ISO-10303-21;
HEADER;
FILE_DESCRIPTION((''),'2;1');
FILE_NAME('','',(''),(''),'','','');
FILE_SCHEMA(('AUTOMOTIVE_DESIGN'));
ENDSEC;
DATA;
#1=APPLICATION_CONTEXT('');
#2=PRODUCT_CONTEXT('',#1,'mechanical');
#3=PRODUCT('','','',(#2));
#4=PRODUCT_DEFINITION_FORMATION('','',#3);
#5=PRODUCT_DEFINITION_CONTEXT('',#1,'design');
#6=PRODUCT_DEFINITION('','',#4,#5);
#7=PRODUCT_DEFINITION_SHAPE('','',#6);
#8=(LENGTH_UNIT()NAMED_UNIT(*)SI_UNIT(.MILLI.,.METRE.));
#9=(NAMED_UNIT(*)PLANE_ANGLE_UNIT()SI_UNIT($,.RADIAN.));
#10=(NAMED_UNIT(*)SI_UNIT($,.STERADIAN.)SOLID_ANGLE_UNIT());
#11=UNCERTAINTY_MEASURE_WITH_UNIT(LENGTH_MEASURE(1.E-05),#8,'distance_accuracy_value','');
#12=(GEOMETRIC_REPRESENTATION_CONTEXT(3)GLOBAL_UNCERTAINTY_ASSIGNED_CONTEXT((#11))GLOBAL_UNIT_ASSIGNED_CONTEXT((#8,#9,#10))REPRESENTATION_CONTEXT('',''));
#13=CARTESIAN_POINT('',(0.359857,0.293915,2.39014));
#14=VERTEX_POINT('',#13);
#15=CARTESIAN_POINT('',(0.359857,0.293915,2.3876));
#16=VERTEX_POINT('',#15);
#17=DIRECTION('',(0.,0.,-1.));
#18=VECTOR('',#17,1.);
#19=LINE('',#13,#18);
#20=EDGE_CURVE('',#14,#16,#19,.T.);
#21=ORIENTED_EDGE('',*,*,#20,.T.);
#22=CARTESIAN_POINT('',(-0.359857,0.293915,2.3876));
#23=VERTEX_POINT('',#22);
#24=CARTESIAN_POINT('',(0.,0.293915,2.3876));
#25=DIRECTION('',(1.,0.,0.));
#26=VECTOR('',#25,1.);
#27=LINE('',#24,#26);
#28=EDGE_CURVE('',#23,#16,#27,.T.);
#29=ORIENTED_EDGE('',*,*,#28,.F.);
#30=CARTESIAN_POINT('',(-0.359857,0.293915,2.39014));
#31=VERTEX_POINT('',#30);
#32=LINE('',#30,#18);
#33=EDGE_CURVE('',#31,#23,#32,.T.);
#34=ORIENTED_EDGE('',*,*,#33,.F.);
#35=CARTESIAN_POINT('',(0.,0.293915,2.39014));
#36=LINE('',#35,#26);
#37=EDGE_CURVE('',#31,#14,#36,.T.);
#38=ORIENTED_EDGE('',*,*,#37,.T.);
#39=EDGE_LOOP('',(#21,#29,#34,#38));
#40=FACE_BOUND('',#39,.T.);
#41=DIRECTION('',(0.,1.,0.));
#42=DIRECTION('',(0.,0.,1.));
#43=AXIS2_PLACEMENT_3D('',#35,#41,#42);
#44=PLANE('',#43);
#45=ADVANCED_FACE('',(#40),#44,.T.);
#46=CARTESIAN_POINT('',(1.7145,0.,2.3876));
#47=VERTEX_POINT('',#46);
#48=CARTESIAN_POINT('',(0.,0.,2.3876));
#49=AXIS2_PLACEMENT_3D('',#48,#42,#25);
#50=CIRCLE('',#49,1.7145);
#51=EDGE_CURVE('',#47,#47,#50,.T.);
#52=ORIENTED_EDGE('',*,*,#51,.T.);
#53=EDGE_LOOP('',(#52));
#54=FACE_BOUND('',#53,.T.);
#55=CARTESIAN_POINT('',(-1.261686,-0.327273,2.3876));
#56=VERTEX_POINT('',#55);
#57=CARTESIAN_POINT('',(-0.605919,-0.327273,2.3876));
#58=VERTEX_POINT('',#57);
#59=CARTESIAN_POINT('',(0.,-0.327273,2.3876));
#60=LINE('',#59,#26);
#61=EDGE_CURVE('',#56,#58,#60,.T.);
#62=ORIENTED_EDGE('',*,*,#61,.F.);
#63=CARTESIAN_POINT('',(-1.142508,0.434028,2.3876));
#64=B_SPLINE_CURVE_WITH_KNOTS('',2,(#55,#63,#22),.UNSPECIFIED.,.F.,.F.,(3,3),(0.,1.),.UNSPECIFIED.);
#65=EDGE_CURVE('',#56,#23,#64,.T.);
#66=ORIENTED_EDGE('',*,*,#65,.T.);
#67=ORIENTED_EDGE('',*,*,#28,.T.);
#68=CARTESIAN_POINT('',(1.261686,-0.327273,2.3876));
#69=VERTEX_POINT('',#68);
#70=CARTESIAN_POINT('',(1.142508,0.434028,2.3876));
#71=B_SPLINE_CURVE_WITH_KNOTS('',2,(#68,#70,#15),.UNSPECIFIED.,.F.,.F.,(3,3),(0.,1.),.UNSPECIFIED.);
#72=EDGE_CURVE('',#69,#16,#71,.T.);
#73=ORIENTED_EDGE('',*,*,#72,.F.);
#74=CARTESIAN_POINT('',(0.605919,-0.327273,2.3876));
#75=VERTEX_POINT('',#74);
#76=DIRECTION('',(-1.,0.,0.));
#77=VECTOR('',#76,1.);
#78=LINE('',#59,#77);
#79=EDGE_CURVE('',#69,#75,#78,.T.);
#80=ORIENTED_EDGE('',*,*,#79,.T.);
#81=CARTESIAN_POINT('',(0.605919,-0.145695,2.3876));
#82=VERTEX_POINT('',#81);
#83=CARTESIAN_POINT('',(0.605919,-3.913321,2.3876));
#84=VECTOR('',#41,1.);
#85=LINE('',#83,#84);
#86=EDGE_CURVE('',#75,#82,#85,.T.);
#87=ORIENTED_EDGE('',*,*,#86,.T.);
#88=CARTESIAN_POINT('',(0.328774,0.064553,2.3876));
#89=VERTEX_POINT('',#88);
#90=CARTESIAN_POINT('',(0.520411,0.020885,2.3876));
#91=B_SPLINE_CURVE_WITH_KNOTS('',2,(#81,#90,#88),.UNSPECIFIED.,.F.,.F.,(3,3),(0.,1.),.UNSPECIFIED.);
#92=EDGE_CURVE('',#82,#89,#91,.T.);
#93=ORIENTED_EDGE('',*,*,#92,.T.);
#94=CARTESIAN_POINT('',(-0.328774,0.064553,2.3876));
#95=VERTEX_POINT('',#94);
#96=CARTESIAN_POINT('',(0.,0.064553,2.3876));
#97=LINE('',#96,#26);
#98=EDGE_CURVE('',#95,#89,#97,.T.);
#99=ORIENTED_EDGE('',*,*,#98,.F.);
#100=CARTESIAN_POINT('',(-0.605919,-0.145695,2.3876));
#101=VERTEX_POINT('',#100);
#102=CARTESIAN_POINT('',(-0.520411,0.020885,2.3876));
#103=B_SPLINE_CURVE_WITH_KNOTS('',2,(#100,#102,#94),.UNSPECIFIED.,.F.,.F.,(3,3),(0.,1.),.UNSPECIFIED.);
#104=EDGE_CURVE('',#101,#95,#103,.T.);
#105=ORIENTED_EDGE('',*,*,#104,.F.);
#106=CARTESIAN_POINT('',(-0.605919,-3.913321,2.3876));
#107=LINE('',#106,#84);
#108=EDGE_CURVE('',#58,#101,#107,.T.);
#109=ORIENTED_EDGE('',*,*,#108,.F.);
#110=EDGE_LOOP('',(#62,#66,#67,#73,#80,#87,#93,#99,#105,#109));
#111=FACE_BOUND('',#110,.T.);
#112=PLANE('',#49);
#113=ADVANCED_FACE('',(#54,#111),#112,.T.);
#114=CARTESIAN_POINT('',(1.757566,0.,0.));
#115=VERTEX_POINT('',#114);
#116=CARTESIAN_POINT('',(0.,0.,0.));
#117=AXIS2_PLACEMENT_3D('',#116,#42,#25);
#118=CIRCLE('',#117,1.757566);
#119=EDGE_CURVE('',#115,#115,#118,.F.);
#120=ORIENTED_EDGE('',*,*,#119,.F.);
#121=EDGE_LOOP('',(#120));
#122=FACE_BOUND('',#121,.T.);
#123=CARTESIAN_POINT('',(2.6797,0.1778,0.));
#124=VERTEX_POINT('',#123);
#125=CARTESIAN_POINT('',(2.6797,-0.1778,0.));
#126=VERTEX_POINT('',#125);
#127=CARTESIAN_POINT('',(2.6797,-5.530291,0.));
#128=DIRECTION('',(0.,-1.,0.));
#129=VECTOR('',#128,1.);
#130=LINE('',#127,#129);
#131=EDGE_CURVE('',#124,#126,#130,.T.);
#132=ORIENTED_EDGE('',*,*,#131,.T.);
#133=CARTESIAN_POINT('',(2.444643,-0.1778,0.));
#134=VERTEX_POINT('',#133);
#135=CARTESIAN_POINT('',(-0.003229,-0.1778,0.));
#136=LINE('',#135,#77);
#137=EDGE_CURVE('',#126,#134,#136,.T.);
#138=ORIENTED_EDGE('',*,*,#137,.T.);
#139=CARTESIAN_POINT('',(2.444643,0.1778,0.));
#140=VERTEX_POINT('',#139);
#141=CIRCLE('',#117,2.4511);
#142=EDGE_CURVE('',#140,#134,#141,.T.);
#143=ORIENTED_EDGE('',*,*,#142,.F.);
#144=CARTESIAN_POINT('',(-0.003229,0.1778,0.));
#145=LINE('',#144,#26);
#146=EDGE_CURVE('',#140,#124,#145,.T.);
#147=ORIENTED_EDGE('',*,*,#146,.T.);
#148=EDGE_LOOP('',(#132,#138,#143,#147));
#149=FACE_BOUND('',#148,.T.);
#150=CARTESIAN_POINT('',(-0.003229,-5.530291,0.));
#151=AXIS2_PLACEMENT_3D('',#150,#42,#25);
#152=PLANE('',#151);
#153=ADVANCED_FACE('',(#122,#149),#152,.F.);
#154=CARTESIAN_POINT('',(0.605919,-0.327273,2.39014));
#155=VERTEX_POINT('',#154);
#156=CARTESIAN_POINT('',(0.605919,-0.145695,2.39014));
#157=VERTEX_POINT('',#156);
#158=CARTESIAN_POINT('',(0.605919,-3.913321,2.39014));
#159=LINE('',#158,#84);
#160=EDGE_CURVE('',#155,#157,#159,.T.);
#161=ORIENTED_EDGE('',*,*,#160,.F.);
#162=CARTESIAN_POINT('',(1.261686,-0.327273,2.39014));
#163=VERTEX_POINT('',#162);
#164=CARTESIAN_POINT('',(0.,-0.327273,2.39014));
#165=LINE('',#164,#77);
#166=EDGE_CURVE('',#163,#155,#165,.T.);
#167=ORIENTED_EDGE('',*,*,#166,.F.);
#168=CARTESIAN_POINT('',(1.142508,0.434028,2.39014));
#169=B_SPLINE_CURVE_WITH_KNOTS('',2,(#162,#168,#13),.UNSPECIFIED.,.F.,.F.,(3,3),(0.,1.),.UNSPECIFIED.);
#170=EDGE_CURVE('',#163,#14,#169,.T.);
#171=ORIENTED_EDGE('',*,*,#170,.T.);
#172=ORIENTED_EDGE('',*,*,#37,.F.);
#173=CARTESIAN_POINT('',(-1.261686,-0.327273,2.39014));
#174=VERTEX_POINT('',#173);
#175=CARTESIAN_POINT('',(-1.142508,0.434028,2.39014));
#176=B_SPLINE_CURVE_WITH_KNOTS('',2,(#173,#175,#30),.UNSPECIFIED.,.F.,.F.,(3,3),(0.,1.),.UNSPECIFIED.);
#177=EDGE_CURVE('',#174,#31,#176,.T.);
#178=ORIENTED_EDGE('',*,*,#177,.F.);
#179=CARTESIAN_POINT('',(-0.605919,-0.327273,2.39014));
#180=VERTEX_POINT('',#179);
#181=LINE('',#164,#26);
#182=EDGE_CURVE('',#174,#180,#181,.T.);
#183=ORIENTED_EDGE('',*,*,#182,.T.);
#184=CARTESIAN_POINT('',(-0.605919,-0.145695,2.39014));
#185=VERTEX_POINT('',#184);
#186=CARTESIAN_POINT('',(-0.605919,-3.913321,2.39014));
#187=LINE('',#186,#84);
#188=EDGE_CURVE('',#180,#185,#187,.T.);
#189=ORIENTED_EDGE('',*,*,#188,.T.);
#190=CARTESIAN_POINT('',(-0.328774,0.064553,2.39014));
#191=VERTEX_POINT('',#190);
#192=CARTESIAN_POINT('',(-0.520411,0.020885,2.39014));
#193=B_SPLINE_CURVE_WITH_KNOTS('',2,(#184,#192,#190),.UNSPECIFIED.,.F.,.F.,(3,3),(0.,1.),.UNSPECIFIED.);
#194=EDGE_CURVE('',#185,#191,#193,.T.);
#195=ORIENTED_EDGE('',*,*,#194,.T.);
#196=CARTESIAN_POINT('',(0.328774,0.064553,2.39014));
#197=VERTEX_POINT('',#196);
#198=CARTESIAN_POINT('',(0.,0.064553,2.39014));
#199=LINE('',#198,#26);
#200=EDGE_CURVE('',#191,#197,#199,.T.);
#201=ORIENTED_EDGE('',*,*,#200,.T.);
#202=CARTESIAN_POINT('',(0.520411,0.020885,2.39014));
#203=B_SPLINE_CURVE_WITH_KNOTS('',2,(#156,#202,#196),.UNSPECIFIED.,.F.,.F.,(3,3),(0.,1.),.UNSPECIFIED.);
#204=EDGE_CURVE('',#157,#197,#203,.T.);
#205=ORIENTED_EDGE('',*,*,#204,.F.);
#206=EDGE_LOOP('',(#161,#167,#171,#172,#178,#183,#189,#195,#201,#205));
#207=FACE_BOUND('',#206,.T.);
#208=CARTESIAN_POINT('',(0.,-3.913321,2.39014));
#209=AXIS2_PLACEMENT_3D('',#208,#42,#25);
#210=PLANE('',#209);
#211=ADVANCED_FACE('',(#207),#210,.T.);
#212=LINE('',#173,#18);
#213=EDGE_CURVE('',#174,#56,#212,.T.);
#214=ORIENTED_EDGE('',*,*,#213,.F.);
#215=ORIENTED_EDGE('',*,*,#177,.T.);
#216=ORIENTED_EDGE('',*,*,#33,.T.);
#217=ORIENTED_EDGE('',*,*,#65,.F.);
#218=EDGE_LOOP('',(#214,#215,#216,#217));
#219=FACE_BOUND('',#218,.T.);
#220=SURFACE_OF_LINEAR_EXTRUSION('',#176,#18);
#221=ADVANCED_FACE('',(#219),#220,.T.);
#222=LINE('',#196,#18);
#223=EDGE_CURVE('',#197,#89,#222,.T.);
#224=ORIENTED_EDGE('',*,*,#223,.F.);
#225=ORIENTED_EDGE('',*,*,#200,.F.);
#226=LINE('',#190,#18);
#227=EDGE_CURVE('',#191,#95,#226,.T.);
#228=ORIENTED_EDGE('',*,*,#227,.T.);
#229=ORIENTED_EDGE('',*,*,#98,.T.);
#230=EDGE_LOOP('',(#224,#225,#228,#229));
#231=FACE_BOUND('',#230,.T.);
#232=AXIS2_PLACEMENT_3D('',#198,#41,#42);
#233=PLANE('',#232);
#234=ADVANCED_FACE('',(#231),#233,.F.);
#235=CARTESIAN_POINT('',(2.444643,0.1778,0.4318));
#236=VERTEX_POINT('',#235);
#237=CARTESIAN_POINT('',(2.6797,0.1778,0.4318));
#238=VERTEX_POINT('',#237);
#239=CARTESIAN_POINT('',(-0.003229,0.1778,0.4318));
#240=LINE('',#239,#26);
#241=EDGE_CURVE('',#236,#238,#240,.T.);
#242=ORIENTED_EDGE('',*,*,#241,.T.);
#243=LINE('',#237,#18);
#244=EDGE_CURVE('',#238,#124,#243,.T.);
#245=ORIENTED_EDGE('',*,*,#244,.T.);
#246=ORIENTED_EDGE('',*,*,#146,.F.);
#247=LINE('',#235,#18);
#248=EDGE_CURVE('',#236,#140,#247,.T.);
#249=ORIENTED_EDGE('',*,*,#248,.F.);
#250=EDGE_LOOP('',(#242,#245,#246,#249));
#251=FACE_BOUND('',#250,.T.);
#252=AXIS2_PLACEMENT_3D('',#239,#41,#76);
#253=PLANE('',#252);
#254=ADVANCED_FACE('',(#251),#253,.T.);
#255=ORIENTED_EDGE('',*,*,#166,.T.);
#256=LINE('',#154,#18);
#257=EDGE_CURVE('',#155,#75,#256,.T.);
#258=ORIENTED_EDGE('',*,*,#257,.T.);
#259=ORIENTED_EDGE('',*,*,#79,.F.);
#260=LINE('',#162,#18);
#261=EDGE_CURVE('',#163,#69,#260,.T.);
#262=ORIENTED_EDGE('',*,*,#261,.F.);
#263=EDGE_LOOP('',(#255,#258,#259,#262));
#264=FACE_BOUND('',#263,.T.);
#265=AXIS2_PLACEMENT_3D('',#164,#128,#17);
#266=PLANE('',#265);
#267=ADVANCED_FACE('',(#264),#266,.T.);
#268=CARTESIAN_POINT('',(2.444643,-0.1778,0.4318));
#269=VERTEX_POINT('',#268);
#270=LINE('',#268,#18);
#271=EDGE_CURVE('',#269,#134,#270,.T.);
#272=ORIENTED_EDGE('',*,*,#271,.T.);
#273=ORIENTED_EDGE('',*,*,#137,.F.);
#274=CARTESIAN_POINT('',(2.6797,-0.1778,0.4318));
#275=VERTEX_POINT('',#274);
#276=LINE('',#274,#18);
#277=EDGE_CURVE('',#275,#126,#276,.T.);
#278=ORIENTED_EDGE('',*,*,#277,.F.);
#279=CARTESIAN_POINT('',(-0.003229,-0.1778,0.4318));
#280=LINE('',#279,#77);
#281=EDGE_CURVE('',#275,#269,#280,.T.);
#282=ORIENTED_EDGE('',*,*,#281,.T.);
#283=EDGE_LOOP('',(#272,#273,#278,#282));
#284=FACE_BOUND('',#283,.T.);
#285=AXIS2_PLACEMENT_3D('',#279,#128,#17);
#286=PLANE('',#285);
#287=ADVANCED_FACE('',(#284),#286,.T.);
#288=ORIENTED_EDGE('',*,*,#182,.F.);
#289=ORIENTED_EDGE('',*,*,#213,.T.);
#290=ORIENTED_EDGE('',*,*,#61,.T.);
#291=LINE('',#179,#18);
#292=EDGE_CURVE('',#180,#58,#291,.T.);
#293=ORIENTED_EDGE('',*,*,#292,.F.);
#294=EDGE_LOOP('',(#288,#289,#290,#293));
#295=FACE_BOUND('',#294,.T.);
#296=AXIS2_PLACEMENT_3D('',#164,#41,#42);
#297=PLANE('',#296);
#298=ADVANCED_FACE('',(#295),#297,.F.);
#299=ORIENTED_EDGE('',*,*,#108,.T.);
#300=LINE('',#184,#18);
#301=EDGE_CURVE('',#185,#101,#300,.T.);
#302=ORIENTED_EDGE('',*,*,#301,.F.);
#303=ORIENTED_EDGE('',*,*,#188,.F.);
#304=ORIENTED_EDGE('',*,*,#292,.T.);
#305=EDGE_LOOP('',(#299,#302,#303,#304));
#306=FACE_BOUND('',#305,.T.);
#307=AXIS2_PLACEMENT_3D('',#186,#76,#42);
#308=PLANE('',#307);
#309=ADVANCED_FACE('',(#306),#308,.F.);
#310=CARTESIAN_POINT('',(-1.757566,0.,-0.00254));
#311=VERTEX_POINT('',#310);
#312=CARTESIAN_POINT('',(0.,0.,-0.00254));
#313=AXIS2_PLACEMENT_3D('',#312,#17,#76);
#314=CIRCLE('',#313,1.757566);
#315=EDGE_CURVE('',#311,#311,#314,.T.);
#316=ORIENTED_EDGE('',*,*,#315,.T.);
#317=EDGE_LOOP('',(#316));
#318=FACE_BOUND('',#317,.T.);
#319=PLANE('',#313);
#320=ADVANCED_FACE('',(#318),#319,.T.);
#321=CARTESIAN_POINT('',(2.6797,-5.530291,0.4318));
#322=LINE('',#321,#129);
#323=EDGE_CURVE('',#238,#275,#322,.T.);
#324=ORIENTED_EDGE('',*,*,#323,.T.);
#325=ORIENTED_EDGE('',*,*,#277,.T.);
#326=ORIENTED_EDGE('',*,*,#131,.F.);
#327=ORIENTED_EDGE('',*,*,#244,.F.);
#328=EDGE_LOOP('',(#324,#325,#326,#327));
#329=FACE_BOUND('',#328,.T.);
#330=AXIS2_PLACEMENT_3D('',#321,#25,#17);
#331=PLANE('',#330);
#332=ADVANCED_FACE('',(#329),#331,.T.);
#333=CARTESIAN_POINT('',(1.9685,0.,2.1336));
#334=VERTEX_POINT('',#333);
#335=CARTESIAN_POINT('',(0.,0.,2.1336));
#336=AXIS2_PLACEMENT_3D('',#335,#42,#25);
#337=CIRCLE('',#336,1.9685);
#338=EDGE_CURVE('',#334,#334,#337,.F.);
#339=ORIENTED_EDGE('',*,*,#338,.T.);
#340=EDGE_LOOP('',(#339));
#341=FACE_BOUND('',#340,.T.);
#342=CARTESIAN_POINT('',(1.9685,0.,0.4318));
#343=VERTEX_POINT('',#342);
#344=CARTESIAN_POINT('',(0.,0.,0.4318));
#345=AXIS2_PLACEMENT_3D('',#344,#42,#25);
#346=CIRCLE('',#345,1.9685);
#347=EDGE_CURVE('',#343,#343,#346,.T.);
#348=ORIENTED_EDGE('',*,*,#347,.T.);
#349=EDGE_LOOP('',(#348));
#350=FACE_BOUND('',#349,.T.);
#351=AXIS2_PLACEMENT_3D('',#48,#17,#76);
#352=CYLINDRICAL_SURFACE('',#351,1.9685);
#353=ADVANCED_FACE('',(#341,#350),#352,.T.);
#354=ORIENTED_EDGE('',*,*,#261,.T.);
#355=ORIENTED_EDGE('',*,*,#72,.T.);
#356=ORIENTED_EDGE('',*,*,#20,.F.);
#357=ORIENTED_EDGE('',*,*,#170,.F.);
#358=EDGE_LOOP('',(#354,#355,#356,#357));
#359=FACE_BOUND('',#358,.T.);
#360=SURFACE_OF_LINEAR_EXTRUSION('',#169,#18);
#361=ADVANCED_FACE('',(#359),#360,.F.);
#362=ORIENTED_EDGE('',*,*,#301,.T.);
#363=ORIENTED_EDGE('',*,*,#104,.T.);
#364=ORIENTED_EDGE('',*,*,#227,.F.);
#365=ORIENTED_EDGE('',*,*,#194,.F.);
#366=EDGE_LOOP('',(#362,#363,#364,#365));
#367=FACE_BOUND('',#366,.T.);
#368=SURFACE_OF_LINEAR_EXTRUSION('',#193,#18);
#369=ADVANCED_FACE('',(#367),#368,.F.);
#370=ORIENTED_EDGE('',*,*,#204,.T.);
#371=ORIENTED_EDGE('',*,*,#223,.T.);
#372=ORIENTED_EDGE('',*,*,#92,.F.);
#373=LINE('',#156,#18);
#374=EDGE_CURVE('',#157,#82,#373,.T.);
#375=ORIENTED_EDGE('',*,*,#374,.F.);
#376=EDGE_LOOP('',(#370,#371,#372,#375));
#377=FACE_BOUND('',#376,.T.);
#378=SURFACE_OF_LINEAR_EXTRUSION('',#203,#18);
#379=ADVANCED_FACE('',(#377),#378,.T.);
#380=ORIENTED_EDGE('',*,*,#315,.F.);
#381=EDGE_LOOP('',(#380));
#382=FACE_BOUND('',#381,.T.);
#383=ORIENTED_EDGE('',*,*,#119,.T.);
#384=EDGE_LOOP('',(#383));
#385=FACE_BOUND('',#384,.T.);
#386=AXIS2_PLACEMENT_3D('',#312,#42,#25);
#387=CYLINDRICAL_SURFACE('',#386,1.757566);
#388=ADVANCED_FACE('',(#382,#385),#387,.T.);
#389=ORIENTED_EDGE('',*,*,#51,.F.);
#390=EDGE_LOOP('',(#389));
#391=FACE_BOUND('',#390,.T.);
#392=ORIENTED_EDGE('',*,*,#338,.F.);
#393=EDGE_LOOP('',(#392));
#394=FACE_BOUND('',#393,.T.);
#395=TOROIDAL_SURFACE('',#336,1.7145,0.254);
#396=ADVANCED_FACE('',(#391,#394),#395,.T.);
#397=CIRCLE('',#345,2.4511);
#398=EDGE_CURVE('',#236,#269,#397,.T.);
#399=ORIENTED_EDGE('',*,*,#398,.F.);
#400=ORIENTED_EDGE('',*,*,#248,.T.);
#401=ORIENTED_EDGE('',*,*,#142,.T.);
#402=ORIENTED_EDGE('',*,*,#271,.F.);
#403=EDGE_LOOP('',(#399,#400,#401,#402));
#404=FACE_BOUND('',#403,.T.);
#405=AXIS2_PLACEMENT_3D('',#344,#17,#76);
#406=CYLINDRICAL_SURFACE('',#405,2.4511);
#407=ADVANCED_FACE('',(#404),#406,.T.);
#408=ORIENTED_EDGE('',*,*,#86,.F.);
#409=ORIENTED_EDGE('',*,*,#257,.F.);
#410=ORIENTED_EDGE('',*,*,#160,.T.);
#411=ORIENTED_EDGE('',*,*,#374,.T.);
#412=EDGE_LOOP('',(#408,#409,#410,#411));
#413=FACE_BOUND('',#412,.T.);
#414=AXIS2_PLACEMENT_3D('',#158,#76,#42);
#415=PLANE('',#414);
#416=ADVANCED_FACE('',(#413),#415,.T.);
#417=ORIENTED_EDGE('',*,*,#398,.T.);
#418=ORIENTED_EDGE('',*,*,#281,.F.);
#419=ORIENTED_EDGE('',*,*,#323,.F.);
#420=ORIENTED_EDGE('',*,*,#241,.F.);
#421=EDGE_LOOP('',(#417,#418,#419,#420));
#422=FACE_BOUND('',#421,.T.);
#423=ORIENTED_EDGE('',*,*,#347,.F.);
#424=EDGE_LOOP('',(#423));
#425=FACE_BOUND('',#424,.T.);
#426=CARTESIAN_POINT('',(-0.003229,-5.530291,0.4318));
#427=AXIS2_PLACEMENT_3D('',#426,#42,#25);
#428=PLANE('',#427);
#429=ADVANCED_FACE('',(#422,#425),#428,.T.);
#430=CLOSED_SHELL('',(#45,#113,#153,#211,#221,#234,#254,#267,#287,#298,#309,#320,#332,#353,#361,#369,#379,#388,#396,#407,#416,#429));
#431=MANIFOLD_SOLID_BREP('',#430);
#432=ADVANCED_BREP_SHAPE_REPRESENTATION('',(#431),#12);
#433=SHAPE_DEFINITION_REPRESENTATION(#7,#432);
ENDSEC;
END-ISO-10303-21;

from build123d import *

# Parameters (mm, degrees)
BOSS_EXTRUDE1_DEPTH = 0.4318
SKETCH2_R           = 1.9685
BOSS_EXTRUDE2_DEPTH = 1.9558
SKETCH3_R           = 1.757566481
BOSS_EXTRUDE3_DEPTH = 0.00254
FILLET1_R           = 0.254
BOSS_EXTRUDE6_DEPTH = 0.00254


with BuildPart() as part:
    # Sketch1 → Boss-Extrude1 (new body)
    with BuildSketch(Plane.XY):
        with BuildLine():
            Line((2.6797, 0.1778), (2.4511, 0.1778))
            Line((2.4511, 0.1778), (2.44464279, 0.1778))
            ThreePointArc((2.44464279, 0.1778), (-2.4511, 0), (2.44464279, -0.1778))
            Line((2.44464279, -0.1778), (2.4511, -0.1778))
            Line((2.4511, -0.1778), (2.6797, -0.1778))
            Line((2.6797, -0.1778), (2.6797, 0.1778))
        make_face()
    extrude(amount=BOSS_EXTRUDE1_DEPTH)

    # Sketch2 → Boss-Extrude2 (add)
    with BuildSketch(Plane.XY.offset(0.4318)):
        Circle(SKETCH2_R)
    extrude(amount=BOSS_EXTRUDE2_DEPTH)

    # Sketch3 → Boss-Extrude3 (add)
    with BuildSketch(Plane(origin=(0, 0, 0), x_dir=(-1, 0, 0), z_dir=(0, 0, -1))):
        Circle(SKETCH3_R)
    extrude(amount=BOSS_EXTRUDE3_DEPTH)

    # Fillet1
    fillet1_edges = [part.edges().sort_by_distance(p)[0] for p in [
        (-1.9685, 0, 2.3876),
    ]]
    fillet(fillet1_edges, radius=FILLET1_R)

    # Sketch4 → Boss-Extrude6 (add)
    with BuildSketch(Plane.XY.offset(2.3876)):
        with BuildLine():
            Line((-1.261686098, -0.327272856), (-0.605919476, -0.327272856))
            Line((-0.605919476, -0.327272856), (-0.605919476, -0.145694879))
            add(Edge.make_bspline(
                [(-0.605919476, -0.145694879), (-0.520411043, 0.020884548), (-0.328774143, 0.064553305)],
                knots=[0, 0, 0, 1, 1, 1], degree=2))
            Line((-0.328774143, 0.064553305), (0.328774143, 0.064553305))
            add(Edge.make_bspline(
                [(0.605919476, -0.145694879), (0.520411043, 0.020884548), (0.328774143, 0.064553305)],
                knots=[0, 0, 0, 1, 1, 1], degree=2))
            Line((0.605919476, -0.145694879), (0.605919476, -0.327272856))
            Line((0.605919476, -0.327272856), (1.261686098, -0.327272856))
            add(Edge.make_bspline(
                [(1.261686098, -0.327272856), (1.14250793, 0.434027968), (0.359856965, 0.293914961)],
                knots=[0, 0, 0, 1, 1, 1], degree=2))
            Line((0.359856965, 0.293914961), (-0.359856965, 0.293914961))
            add(Edge.make_bspline(
                [(-1.261686098, -0.327272856), (-1.14250793, 0.434027968), (-0.359856965, 0.293914961)],
                knots=[0, 0, 0, 1, 1, 1], degree=2))
        make_face()
    extrude(amount=BOSS_EXTRUDE6_DEPTH)


solid = part.part
